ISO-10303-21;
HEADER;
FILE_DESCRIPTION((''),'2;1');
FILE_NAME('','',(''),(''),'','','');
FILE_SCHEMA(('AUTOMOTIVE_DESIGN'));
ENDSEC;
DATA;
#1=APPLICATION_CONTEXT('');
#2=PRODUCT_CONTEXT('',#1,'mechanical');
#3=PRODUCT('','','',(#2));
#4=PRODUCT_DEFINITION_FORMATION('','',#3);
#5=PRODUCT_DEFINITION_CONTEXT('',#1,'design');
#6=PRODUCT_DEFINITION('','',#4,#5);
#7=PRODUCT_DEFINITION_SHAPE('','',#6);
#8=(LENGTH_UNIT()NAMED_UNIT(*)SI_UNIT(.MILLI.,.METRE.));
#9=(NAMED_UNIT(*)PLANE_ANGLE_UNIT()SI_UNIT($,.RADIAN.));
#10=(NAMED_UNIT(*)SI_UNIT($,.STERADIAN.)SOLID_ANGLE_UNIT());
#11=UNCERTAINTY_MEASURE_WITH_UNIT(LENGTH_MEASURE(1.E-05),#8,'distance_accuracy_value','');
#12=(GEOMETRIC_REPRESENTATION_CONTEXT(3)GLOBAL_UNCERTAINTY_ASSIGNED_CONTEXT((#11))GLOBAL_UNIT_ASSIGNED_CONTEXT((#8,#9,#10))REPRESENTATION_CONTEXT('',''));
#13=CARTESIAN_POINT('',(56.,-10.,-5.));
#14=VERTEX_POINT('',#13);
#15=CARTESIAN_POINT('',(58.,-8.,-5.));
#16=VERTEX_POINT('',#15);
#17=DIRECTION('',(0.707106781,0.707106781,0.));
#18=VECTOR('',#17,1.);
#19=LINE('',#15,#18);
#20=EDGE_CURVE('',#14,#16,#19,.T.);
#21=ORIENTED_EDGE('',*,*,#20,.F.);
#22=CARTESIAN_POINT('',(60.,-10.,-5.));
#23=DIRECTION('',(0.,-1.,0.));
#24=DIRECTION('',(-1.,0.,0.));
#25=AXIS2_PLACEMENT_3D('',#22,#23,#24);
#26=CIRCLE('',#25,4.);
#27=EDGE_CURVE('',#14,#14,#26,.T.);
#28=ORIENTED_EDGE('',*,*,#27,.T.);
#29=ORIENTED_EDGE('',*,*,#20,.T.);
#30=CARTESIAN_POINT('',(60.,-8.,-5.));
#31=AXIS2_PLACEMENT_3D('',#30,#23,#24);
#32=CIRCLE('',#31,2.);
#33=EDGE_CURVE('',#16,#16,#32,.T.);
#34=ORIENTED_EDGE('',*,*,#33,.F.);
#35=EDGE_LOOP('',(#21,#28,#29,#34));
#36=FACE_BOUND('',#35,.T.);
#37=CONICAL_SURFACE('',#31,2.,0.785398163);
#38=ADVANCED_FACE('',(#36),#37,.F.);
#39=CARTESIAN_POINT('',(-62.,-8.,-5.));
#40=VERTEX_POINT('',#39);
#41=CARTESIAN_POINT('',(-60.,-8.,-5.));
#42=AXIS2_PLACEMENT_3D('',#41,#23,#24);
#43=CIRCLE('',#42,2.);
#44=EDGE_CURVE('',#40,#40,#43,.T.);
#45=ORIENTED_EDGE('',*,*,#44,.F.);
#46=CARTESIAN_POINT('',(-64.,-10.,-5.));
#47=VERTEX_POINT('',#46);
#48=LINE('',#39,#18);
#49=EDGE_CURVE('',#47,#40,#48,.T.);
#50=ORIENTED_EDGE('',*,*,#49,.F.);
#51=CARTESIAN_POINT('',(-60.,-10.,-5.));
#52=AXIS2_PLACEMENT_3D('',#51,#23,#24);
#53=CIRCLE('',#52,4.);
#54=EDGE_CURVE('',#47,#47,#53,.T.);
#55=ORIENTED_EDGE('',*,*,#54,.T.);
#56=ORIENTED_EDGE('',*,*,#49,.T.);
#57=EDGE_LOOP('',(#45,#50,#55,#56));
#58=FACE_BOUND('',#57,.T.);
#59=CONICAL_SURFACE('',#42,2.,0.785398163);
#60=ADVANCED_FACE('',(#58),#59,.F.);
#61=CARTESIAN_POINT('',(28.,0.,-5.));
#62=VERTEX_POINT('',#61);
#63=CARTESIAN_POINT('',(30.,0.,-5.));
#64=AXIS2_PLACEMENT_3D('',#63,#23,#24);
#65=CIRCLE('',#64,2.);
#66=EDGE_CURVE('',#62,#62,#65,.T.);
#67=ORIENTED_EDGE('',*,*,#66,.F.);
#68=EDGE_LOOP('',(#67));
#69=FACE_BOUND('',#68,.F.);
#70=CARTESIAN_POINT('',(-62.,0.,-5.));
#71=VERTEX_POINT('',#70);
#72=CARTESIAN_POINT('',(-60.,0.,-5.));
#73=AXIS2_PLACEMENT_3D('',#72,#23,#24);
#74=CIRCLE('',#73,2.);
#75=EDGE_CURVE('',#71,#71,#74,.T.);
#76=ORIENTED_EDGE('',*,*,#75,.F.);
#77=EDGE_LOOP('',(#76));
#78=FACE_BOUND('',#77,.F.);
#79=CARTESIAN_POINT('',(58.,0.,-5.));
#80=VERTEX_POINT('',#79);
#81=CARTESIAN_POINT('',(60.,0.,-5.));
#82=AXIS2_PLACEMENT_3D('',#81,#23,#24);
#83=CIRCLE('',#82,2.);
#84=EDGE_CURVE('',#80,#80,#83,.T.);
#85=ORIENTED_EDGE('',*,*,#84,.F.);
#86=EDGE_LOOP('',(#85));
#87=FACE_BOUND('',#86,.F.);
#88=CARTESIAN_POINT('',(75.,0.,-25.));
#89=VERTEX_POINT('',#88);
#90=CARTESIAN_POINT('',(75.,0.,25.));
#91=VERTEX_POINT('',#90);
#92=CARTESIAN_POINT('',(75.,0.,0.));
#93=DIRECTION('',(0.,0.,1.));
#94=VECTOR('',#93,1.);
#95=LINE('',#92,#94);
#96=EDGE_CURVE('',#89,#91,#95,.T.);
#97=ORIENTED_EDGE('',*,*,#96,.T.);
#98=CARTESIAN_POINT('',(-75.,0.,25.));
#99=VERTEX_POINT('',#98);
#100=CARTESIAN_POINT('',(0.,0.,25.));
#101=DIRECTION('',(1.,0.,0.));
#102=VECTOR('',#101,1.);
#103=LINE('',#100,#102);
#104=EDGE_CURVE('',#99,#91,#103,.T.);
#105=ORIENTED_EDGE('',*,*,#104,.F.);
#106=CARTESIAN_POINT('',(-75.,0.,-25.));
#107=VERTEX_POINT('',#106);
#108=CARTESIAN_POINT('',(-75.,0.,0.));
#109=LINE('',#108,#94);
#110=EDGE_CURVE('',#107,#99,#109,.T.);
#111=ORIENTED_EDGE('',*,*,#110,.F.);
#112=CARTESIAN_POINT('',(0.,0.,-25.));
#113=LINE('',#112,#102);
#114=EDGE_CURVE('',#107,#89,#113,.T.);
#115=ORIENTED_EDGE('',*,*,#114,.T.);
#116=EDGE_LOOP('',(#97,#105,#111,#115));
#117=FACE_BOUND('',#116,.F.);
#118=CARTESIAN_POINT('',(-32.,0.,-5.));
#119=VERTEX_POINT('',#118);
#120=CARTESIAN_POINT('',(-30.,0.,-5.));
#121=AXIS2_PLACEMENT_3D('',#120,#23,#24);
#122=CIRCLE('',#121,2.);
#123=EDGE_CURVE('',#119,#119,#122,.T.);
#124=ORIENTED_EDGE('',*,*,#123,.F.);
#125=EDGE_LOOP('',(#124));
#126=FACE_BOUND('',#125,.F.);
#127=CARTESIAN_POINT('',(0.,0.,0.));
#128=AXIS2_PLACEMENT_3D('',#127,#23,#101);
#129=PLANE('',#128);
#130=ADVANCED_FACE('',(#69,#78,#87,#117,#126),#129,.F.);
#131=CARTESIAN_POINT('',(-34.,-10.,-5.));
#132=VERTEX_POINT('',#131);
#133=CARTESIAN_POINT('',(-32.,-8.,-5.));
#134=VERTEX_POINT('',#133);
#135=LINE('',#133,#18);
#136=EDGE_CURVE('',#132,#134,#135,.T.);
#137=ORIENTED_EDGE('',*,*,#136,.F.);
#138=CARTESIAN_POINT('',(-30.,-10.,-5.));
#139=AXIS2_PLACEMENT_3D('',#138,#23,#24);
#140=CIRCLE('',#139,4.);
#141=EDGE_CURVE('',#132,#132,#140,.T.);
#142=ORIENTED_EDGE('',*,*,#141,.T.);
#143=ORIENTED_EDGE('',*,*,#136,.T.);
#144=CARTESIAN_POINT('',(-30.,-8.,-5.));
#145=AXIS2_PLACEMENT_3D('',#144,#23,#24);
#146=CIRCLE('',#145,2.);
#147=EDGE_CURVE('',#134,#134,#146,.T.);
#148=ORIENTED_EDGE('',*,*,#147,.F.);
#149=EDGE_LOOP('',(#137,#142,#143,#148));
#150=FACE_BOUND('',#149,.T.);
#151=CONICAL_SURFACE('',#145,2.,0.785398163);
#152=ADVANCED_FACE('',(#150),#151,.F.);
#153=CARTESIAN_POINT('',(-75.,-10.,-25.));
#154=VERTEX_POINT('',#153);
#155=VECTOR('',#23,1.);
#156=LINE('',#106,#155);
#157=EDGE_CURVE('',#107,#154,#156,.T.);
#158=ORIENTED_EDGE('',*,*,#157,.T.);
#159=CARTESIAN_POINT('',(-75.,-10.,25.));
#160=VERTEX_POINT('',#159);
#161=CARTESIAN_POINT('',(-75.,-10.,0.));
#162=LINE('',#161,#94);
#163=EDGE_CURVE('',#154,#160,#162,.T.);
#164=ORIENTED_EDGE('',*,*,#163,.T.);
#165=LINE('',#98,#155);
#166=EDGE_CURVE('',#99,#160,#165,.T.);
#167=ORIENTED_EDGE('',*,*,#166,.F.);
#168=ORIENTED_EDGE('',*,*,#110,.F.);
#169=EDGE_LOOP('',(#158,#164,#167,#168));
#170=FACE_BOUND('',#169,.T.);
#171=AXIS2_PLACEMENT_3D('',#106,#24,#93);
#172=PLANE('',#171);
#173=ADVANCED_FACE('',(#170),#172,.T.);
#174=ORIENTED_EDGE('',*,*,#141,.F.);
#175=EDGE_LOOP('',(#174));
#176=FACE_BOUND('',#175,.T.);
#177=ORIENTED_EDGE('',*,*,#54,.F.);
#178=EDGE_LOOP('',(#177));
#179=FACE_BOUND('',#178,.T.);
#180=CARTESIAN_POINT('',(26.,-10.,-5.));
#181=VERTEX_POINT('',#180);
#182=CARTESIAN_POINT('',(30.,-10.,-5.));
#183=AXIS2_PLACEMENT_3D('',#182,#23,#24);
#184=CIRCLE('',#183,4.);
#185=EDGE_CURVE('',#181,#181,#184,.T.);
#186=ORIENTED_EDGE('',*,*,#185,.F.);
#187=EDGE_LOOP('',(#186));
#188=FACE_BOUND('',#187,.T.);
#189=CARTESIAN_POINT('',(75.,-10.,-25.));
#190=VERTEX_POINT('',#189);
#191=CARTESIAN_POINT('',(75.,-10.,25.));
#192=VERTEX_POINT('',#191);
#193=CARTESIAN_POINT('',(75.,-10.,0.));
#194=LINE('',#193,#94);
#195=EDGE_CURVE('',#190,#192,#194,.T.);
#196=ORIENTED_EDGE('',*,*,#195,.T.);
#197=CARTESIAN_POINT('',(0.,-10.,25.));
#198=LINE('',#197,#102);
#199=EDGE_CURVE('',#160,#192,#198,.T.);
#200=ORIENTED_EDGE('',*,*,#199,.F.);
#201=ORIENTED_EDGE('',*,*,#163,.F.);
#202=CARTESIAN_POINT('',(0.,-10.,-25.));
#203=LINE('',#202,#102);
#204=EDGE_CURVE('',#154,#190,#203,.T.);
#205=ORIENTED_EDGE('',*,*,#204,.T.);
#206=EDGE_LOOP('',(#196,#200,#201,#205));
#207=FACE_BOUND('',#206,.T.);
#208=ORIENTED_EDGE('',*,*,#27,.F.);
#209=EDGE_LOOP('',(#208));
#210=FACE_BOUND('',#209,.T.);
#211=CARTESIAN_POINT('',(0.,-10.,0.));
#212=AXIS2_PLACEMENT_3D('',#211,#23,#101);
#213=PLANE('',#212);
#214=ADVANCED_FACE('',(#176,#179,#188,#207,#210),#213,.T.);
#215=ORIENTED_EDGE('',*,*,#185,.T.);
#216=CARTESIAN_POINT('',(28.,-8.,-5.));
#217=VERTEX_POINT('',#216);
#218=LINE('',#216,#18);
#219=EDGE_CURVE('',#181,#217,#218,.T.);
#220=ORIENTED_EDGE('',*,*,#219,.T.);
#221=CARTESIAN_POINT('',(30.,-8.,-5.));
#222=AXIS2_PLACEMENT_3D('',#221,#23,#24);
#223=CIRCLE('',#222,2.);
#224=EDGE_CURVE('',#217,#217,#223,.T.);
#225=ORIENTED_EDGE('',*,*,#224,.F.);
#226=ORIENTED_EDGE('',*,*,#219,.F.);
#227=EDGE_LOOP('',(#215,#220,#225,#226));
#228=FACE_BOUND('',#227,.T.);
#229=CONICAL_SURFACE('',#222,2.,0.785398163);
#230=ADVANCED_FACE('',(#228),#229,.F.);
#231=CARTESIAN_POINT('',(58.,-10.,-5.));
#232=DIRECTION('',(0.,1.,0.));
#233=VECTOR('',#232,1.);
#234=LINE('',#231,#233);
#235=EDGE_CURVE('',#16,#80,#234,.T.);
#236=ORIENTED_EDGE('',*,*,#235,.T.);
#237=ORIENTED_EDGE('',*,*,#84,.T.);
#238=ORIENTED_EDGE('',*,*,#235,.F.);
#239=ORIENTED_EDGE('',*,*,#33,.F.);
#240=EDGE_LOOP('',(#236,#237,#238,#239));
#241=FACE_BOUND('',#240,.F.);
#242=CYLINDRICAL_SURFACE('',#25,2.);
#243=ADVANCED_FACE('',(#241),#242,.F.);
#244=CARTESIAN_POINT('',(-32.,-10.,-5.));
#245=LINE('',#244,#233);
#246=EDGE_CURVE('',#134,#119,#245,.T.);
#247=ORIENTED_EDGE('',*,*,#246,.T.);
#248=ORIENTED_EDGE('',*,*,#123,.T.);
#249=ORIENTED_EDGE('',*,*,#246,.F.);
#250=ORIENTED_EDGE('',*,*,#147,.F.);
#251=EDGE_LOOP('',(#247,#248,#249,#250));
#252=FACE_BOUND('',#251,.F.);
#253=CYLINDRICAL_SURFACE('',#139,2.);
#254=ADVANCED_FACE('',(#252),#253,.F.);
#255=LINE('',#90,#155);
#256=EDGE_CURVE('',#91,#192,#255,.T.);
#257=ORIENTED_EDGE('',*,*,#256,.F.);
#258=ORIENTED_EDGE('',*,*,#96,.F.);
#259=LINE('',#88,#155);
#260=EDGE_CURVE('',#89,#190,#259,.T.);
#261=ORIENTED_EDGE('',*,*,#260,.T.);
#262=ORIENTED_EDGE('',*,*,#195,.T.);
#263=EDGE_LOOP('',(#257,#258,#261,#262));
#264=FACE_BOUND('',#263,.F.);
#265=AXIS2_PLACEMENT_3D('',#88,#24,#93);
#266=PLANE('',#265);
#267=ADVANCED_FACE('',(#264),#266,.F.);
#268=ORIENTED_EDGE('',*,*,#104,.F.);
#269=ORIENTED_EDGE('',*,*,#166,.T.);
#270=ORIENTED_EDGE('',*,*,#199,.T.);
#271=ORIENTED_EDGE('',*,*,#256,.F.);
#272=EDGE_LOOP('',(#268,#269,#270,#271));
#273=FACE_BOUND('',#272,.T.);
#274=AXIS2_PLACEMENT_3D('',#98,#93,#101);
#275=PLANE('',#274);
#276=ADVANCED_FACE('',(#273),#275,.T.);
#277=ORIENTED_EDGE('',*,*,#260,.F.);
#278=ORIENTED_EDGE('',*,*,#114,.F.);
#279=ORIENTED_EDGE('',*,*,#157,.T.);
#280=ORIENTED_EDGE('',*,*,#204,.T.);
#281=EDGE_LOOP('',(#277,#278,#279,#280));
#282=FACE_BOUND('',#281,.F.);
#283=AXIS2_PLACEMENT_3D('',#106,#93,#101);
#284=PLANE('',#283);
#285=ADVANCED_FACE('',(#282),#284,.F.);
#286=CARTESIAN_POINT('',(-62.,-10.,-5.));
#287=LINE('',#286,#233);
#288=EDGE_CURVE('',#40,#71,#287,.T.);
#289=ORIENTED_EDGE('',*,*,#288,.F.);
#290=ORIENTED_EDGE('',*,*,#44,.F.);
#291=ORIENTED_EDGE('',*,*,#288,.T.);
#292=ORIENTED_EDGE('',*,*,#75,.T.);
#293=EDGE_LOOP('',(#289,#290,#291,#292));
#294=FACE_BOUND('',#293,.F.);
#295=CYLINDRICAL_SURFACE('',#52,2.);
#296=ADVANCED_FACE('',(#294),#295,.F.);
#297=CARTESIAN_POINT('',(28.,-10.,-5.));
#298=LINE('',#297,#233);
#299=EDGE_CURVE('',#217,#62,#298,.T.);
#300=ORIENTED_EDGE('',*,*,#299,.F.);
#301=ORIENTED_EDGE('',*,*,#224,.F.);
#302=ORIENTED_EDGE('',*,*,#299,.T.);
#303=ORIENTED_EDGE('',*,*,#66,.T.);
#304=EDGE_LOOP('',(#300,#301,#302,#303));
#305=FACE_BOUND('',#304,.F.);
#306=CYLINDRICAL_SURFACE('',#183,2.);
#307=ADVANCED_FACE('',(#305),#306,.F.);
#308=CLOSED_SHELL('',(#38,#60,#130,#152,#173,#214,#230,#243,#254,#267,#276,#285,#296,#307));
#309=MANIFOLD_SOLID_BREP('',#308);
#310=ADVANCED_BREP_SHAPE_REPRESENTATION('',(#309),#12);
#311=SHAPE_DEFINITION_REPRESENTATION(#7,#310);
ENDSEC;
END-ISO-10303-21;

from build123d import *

# Parameters (mm, degrees)
F0_W     = 150
F0_H     = 50
F1_DEPTH = 10
F3_DEPTH = 10.001
F4_SIZE  = 2


with BuildPart() as f1:
    # F0 (on Front) → F1 (new body)
    with BuildSketch(Plane.XZ):
        Rectangle(F0_W, F0_H)
    extrude(amount=F1_DEPTH)

    # F2 (on face) → F3 (cut, through all)
    with BuildSketch(Plane.XZ.offset(10)):
        with BuildLine():
            ThreePointArc((-28, -5), (-30, -3), (-32, -5))
            Line((-32, -5), (-28, -5))
        make_face()
        with BuildLine():
            Line((-28, -5), (-32, -5))
            ThreePointArc((-32, -5), (-30, -7), (-28, -5))
        make_face()
        with BuildLine():
            ThreePointArc((-58, -5), (-60, -3), (-62, -5))
            Line((-62, -5), (-58, -5))
        make_face()
        with BuildLine():
            Line((-58, -5), (-62, -5))
            ThreePointArc((-62, -5), (-60, -7), (-58, -5))
        make_face()
        with BuildLine():
            ThreePointArc((32, -5), (30, -3), (28, -5))
            Line((28, -5), (32, -5))
        make_face()
        with BuildLine():
            Line((32, -5), (28, -5))
            ThreePointArc((28, -5), (30, -7), (32, -5))
        make_face()
        with BuildLine():
            Line((58, -5), (62, -5))
            ThreePointArc((62, -5), (60, -3), (58, -5))
        make_face()
        with BuildLine():
            ThreePointArc((58, -5), (60, -7), (62, -5))
            Line((62, -5), (58, -5))
        make_face()
    extrude(amount=-F3_DEPTH, mode=Mode.SUBTRACT)

    # F4
    f4_edges = [f1.edges().sort_by_distance(p)[0] for p in [
        (-58, -10, -5),
        (-28, -10, -5),
        (32, -10, -5),
        (62, -10, -5),
    ]]
    chamfer(f4_edges, length=F4_SIZE)


solid = f1.part
